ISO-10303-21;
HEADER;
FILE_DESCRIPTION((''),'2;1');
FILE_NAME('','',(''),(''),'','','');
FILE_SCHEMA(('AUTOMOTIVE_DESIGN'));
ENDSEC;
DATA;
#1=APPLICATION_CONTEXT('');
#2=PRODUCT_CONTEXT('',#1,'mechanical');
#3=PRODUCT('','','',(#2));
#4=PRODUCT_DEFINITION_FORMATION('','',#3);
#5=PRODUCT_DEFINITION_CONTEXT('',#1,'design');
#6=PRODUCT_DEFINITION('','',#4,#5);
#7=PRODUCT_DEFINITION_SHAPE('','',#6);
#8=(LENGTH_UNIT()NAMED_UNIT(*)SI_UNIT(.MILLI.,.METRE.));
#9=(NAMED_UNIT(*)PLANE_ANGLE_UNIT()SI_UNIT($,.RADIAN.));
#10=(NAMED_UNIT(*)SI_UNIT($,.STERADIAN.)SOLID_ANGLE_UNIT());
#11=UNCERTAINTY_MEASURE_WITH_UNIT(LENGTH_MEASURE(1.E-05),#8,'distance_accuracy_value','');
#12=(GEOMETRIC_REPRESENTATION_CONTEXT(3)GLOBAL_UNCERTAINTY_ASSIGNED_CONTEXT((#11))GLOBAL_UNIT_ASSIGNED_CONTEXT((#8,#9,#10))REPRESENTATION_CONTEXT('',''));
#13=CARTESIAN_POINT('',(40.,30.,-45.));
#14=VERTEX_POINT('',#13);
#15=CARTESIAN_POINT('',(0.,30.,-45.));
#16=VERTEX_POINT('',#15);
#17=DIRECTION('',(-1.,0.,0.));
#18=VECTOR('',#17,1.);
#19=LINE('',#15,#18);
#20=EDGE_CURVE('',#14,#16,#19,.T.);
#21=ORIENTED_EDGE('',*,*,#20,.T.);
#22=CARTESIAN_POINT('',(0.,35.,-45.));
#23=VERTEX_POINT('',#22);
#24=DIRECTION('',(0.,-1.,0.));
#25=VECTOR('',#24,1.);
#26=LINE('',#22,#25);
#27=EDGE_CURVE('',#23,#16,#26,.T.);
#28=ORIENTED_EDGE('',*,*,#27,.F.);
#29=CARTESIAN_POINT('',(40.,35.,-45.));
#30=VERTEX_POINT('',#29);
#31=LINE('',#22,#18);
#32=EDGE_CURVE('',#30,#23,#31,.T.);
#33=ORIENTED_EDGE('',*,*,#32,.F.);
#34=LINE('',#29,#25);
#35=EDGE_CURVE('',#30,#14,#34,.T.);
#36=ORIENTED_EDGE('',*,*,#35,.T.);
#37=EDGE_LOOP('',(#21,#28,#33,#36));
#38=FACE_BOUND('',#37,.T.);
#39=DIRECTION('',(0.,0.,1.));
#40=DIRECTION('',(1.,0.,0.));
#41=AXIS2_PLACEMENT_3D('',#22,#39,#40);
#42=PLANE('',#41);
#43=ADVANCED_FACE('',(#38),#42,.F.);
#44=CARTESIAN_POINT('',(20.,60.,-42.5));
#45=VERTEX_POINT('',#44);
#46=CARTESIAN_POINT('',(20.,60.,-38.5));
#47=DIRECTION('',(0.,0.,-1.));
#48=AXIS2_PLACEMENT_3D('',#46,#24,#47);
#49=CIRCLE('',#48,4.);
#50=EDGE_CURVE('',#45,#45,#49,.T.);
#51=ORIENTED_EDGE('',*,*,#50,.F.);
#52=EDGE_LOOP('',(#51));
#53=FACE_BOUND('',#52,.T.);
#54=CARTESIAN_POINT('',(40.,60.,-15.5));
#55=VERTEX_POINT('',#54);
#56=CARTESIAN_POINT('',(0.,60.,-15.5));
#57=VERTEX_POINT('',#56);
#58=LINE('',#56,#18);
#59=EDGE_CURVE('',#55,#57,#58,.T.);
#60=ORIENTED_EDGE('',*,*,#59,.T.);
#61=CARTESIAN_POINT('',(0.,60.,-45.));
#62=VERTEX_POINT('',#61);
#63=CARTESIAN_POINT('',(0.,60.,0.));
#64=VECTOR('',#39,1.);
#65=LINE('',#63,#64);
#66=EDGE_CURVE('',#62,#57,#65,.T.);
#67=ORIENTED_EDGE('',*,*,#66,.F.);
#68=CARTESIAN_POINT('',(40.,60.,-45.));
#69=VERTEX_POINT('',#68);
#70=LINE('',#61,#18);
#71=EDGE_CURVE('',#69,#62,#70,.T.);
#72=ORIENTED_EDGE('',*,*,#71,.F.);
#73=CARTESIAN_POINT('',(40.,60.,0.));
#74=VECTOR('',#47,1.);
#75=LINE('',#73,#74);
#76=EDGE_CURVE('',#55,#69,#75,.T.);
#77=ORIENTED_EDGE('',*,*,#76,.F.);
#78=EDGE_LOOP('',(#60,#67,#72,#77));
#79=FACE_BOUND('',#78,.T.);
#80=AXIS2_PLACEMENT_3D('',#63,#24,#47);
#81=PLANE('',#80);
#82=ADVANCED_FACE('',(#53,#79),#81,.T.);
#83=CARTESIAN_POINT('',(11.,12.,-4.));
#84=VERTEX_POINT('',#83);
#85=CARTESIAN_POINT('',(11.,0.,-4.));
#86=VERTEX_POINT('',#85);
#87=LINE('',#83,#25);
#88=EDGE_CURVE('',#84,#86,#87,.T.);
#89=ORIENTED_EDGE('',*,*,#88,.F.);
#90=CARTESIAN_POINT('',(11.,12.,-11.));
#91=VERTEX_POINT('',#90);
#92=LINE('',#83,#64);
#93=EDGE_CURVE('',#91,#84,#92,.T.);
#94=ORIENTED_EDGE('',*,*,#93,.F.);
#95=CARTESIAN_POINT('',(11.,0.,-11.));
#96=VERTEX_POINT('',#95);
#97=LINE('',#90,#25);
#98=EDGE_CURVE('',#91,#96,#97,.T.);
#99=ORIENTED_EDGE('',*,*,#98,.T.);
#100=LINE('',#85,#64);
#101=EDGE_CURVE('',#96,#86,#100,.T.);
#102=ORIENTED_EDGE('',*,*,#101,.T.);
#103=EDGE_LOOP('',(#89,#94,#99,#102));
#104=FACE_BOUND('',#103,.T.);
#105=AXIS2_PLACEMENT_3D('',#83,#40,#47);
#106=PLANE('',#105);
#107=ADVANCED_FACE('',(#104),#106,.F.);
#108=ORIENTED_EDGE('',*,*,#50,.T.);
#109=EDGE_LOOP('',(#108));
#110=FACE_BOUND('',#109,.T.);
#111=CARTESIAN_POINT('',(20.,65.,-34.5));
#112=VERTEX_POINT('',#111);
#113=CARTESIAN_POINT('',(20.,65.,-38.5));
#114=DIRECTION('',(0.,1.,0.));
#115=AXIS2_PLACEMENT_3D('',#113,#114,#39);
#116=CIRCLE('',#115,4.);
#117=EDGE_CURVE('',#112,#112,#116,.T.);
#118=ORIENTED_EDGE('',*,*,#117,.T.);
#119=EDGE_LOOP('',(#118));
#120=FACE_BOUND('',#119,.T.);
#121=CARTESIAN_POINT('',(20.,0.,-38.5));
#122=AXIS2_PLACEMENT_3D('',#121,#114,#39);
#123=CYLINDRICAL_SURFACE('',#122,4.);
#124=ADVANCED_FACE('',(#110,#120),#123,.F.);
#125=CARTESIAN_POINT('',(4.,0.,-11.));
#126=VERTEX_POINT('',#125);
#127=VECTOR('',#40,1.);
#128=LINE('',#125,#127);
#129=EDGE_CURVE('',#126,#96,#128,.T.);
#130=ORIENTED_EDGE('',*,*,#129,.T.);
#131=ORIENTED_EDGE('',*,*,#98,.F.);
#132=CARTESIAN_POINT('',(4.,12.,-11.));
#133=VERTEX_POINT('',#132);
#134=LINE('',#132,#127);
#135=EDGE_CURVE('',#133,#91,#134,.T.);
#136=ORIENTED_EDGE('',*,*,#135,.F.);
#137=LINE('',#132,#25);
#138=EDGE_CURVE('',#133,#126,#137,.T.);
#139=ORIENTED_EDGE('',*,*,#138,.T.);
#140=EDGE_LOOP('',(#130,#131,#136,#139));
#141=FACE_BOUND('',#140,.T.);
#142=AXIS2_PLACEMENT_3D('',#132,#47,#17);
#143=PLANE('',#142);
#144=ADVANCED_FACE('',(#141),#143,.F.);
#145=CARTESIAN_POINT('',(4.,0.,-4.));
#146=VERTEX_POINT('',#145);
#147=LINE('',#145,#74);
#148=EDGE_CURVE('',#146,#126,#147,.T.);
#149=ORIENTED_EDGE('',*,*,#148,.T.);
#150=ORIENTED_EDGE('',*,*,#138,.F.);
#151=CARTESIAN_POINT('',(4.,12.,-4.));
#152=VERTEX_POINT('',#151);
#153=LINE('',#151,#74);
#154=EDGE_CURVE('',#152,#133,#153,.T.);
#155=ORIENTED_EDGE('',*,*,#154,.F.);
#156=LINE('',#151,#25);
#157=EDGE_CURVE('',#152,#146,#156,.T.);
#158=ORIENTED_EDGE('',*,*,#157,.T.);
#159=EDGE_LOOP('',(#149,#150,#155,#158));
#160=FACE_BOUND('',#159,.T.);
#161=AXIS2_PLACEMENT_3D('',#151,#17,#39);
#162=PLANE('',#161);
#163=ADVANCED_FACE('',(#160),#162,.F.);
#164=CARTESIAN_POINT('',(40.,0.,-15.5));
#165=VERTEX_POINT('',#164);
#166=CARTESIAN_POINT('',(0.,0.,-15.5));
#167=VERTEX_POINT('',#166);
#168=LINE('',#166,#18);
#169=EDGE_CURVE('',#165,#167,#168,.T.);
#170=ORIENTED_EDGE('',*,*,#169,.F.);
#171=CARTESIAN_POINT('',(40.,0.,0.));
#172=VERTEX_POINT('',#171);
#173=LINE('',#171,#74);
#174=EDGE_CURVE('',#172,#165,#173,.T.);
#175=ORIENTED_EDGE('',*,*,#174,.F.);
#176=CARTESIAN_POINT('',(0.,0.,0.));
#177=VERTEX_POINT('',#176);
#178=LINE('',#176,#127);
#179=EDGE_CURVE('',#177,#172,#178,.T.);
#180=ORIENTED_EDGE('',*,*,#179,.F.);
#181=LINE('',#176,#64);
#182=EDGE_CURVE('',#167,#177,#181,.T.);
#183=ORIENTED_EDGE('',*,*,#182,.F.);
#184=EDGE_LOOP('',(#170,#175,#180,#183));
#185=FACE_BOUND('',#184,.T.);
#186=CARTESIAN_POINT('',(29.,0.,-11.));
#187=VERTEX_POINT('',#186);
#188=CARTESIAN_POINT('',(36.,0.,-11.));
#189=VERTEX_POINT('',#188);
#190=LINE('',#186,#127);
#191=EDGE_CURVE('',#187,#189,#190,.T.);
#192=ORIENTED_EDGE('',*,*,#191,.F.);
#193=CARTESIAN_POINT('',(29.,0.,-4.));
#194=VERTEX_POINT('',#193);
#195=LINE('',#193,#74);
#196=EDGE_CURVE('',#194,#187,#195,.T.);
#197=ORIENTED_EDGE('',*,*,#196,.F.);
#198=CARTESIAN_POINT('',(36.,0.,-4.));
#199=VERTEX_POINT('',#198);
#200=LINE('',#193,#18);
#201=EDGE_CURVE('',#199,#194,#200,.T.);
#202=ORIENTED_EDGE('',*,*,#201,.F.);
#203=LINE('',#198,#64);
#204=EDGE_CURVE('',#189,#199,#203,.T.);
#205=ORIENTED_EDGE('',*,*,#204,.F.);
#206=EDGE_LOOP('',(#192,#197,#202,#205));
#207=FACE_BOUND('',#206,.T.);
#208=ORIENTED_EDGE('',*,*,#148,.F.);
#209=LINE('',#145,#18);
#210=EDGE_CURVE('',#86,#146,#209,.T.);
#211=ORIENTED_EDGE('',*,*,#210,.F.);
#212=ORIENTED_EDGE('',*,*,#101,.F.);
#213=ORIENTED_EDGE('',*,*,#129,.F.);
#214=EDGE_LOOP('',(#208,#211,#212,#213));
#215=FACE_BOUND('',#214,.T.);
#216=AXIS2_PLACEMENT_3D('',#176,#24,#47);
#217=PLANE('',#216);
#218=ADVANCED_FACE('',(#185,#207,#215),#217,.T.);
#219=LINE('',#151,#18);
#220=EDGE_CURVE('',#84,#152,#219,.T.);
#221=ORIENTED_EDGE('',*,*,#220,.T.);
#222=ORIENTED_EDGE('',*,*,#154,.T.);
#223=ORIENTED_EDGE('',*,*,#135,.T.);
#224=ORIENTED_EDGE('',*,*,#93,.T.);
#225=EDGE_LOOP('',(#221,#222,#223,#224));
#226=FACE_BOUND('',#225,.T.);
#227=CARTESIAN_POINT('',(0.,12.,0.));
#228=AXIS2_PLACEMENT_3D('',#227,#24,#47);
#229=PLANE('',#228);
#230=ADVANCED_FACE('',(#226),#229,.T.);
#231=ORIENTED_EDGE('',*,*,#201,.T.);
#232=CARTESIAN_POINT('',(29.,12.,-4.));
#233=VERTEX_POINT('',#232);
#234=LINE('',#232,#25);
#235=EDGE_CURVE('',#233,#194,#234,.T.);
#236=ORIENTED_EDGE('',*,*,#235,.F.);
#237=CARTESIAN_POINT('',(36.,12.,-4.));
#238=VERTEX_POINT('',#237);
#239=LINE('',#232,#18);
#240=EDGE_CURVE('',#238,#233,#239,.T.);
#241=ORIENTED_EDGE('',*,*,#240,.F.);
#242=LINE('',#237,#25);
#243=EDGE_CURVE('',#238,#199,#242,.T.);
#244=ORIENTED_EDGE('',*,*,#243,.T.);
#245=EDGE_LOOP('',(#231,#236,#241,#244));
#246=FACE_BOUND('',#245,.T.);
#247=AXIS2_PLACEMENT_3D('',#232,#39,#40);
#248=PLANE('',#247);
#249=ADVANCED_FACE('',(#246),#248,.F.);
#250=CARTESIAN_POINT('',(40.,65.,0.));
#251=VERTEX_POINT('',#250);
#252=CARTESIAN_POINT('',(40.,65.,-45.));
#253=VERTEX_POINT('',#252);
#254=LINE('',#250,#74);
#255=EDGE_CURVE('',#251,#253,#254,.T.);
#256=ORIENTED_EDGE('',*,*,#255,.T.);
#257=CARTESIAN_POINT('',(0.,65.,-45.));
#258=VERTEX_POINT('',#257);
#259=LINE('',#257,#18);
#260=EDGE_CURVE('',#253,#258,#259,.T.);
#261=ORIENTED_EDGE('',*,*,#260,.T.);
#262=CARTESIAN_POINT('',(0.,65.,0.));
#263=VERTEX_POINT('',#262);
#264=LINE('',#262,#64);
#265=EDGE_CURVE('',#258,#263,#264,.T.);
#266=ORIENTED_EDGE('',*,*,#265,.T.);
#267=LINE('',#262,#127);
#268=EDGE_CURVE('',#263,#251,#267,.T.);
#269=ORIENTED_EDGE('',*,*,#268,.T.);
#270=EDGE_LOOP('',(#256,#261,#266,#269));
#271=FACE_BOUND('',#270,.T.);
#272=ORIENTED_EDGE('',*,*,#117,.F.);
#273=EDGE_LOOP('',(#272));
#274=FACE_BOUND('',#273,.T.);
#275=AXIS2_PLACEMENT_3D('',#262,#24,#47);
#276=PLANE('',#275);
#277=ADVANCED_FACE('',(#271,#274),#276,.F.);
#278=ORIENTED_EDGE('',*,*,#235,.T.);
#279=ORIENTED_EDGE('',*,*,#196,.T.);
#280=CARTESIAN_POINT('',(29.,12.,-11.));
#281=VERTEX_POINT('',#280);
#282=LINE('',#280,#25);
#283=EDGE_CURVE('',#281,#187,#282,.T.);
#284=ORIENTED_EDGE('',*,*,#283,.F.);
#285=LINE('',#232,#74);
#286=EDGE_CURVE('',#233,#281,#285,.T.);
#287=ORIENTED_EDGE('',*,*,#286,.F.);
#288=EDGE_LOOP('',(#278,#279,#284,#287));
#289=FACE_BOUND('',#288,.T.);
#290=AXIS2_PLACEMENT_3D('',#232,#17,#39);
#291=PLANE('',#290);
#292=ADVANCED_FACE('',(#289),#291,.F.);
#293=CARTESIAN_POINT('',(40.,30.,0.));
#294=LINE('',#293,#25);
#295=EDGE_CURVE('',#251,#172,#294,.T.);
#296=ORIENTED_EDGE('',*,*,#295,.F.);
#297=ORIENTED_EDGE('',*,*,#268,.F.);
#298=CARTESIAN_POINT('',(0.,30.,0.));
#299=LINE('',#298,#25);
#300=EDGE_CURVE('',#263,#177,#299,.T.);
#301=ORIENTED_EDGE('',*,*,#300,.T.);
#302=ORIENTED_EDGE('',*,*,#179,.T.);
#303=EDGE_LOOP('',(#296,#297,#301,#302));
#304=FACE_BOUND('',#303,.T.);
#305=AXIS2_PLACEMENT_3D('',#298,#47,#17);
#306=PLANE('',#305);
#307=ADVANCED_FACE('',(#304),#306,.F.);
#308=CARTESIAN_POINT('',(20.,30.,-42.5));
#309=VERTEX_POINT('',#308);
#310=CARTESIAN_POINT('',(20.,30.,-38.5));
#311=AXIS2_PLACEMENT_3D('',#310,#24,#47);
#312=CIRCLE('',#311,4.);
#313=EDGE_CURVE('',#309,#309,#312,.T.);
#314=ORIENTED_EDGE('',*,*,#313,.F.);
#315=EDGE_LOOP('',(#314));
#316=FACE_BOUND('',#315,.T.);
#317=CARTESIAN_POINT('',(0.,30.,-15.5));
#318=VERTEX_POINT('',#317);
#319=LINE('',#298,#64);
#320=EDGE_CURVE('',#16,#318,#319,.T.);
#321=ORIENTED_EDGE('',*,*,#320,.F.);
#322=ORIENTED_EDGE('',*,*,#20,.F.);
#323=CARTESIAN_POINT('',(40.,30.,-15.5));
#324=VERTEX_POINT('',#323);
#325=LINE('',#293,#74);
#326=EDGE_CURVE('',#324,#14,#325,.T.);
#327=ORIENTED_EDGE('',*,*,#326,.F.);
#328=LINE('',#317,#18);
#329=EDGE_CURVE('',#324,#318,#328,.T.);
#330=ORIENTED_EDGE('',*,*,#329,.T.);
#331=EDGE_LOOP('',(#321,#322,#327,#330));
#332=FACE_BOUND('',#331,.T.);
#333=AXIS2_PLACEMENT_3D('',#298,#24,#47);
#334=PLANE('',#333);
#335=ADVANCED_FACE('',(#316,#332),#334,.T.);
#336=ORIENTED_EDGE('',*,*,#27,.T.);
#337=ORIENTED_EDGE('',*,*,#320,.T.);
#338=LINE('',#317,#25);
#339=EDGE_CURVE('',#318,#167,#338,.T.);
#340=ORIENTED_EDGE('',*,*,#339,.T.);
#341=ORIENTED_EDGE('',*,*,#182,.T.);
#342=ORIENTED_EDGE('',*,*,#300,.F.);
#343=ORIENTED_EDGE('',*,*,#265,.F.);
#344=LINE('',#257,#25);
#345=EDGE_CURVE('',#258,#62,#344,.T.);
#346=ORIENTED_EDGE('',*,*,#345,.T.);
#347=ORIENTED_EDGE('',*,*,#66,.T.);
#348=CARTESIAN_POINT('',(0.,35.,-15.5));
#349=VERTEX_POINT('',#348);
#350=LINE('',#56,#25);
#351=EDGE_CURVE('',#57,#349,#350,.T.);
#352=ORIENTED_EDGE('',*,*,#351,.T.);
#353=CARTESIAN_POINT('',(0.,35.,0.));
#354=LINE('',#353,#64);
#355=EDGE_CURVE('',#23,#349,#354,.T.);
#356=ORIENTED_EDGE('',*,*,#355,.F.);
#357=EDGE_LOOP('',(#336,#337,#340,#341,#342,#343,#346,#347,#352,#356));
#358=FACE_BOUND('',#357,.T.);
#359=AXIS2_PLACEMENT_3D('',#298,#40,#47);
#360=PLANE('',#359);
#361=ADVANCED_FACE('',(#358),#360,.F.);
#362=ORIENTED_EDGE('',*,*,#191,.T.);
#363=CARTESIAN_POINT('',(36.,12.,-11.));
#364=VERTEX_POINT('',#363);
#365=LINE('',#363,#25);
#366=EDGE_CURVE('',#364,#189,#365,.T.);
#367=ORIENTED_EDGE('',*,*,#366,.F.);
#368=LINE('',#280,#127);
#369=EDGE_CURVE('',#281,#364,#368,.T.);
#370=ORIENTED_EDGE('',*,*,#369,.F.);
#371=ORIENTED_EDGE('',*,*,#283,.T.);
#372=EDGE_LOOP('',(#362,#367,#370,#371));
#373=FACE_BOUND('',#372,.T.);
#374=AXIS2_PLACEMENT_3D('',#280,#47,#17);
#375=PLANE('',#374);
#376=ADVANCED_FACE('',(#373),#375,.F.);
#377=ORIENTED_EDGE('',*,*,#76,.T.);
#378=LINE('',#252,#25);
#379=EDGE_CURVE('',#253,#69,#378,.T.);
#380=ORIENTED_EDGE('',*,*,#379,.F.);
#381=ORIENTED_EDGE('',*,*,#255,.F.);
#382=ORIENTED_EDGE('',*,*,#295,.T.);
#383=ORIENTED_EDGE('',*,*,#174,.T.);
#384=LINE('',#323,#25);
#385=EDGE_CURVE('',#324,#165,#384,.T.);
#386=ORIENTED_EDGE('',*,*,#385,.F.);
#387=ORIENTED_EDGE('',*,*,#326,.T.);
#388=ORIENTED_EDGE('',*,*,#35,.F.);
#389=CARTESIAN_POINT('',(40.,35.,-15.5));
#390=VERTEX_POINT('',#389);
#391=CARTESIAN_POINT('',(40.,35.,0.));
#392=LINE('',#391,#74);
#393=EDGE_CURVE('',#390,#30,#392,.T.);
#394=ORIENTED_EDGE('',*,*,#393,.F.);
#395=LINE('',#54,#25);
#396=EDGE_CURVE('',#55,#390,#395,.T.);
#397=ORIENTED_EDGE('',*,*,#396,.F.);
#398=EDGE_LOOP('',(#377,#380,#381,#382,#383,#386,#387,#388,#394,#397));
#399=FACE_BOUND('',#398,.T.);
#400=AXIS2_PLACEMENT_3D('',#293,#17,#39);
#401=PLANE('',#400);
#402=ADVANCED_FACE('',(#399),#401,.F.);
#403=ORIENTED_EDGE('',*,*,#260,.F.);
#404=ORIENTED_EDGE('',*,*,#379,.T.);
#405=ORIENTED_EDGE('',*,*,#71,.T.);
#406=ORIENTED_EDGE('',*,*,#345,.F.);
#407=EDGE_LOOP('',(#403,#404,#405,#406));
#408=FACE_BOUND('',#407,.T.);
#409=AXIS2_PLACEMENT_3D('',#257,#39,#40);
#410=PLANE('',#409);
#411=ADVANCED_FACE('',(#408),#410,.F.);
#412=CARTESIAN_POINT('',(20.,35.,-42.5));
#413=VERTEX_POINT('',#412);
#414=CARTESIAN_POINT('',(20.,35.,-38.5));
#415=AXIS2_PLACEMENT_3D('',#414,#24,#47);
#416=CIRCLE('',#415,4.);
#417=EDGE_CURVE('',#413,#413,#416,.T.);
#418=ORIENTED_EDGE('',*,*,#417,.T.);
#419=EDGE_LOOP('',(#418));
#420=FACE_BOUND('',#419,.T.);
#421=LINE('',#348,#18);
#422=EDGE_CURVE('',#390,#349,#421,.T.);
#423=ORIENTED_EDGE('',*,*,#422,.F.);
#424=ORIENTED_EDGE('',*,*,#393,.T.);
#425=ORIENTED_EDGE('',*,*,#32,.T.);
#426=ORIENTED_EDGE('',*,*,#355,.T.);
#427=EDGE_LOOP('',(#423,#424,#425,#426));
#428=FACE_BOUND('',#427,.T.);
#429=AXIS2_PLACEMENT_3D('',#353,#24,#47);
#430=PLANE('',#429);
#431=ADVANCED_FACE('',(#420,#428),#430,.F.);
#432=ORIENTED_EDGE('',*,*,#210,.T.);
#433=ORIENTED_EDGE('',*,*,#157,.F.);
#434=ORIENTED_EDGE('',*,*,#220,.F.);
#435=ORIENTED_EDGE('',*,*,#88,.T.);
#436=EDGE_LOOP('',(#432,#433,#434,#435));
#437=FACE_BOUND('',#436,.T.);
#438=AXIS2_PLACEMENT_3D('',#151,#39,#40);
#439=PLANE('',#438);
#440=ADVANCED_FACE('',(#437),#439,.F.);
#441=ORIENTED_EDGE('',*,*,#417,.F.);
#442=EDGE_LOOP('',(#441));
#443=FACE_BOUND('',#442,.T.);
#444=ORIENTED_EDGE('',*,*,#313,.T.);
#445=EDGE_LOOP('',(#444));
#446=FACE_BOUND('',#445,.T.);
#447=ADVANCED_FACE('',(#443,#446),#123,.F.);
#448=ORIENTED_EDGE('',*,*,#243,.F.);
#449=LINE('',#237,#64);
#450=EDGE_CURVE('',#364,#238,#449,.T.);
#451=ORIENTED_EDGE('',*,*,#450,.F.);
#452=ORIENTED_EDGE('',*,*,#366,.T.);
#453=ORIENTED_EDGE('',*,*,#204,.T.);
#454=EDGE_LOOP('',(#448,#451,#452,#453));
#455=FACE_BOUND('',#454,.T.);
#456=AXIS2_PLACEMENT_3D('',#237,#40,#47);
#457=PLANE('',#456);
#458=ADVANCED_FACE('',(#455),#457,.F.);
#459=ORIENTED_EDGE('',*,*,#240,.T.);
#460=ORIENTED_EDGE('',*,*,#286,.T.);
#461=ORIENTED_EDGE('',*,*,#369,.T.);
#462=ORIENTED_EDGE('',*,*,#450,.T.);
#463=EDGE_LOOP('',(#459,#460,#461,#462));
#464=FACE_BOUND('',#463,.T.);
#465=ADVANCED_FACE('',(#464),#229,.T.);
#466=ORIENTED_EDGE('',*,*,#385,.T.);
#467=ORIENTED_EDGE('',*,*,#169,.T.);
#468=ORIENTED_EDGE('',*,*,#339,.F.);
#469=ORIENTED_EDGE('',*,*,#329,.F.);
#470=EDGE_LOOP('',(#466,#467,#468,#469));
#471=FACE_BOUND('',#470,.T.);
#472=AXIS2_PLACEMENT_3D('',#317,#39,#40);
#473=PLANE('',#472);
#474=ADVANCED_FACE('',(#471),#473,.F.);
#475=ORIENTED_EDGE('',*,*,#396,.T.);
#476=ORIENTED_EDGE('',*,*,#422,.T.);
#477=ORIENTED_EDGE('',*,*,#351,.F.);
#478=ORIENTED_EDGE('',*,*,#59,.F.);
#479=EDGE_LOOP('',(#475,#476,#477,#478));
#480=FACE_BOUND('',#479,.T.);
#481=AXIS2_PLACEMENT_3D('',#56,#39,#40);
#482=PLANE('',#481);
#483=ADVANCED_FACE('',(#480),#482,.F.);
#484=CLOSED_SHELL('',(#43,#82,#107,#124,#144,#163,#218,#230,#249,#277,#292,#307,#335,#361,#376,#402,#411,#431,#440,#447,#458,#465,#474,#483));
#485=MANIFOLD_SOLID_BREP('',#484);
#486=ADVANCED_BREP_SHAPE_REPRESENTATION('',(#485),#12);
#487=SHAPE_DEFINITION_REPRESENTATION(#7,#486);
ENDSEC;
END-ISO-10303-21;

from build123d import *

# Parameters (mm, degrees)
ESBO_O1_W                = 40
ESBO_O1_H                = 15.5
RESSALTO_EXTRUS_O1_DEPTH = 30
ESBO_O2_W                = 7
ESBO_O2_H                = 7
CORTE_EXTRUS_O1_DEPTH    = 12
ESBO_O5_W                = 40
ESBO_O5_H                = 45
RESSALTO_EXTRUS_O2_DEPTH = 5
ESBO_O6_W                = 40
ESBO_O6_H                = 15.5
RESSALTO_EXTRUS_O3_DEPTH = 25
ESBO_O7_W                = 40
ESBO_O7_H                = 45
RESSALTO_EXTRUS_O4_DEPTH = 5
ESBO_O8_R                = 4
CORTE_EXTRUS_O2_DEPTH    = 89.600225733


with BuildPart() as part:
    # Esboço1 → Ressalto-extrusão1 (new body)
    with BuildSketch(Plane(origin=(0, 0, 0), x_dir=(1, 0, 0), z_dir=(0, 1, 0))):
        with Locations((20, 7.75)):
            Rectangle(ESBO_O1_W, ESBO_O1_H)
    extrude(amount=RESSALTO_EXTRUS_O1_DEPTH)

    # Esboço2 → Corte-extrusão1 (cut)
    with BuildSketch(Plane.XZ):
        with Locations((7.5, -7.5)):
            Rectangle(ESBO_O2_W, ESBO_O2_H)
        with Locations((32.5, -7.5)):
            Rectangle(ESBO_O2_W, ESBO_O2_H)
    extrude(amount=-CORTE_EXTRUS_O1_DEPTH, mode=Mode.SUBTRACT)

    # Esboço5 → Ressalto-extrusão2 (add)
    with BuildSketch(Plane(origin=(0, 30, 0), x_dir=(1, 0, 0), z_dir=(0, 1, 0))):
        with Locations((20, 22.5)):
            Rectangle(ESBO_O5_W, ESBO_O5_H)
    extrude(amount=RESSALTO_EXTRUS_O2_DEPTH)

    # Esboço6 → Ressalto-extrusão3 (add)
    with BuildSketch(Plane(origin=(0, 35, 0), x_dir=(1, 0, 0), z_dir=(0, 1, 0))):
        with Locations((20, 7.75)):
            Rectangle(ESBO_O6_W, ESBO_O6_H)
    extrude(amount=RESSALTO_EXTRUS_O3_DEPTH)

    # Esboço7 → Ressalto-extrusão4 (add)
    with BuildSketch(Plane(origin=(0, 60, 0), x_dir=(1, 0, 0), z_dir=(0, 1, 0))):
        with Locations((20, 22.5)):
            Rectangle(ESBO_O7_W, ESBO_O7_H)
    extrude(amount=RESSALTO_EXTRUS_O4_DEPTH)

    # Esboço8 → Corte-extrusão2 (cut, through all)
    with BuildSketch(Plane(origin=(0, 65, 0), x_dir=(1, 0, 0), z_dir=(0, 1, 0))):
        with Locations(Location((20, 38.5, 0), (0, 0, 270))):
            Circle(ESBO_O8_R)
    extrude(amount=-CORTE_EXTRUS_O2_DEPTH, mode=Mode.SUBTRACT)


solid = part.part
